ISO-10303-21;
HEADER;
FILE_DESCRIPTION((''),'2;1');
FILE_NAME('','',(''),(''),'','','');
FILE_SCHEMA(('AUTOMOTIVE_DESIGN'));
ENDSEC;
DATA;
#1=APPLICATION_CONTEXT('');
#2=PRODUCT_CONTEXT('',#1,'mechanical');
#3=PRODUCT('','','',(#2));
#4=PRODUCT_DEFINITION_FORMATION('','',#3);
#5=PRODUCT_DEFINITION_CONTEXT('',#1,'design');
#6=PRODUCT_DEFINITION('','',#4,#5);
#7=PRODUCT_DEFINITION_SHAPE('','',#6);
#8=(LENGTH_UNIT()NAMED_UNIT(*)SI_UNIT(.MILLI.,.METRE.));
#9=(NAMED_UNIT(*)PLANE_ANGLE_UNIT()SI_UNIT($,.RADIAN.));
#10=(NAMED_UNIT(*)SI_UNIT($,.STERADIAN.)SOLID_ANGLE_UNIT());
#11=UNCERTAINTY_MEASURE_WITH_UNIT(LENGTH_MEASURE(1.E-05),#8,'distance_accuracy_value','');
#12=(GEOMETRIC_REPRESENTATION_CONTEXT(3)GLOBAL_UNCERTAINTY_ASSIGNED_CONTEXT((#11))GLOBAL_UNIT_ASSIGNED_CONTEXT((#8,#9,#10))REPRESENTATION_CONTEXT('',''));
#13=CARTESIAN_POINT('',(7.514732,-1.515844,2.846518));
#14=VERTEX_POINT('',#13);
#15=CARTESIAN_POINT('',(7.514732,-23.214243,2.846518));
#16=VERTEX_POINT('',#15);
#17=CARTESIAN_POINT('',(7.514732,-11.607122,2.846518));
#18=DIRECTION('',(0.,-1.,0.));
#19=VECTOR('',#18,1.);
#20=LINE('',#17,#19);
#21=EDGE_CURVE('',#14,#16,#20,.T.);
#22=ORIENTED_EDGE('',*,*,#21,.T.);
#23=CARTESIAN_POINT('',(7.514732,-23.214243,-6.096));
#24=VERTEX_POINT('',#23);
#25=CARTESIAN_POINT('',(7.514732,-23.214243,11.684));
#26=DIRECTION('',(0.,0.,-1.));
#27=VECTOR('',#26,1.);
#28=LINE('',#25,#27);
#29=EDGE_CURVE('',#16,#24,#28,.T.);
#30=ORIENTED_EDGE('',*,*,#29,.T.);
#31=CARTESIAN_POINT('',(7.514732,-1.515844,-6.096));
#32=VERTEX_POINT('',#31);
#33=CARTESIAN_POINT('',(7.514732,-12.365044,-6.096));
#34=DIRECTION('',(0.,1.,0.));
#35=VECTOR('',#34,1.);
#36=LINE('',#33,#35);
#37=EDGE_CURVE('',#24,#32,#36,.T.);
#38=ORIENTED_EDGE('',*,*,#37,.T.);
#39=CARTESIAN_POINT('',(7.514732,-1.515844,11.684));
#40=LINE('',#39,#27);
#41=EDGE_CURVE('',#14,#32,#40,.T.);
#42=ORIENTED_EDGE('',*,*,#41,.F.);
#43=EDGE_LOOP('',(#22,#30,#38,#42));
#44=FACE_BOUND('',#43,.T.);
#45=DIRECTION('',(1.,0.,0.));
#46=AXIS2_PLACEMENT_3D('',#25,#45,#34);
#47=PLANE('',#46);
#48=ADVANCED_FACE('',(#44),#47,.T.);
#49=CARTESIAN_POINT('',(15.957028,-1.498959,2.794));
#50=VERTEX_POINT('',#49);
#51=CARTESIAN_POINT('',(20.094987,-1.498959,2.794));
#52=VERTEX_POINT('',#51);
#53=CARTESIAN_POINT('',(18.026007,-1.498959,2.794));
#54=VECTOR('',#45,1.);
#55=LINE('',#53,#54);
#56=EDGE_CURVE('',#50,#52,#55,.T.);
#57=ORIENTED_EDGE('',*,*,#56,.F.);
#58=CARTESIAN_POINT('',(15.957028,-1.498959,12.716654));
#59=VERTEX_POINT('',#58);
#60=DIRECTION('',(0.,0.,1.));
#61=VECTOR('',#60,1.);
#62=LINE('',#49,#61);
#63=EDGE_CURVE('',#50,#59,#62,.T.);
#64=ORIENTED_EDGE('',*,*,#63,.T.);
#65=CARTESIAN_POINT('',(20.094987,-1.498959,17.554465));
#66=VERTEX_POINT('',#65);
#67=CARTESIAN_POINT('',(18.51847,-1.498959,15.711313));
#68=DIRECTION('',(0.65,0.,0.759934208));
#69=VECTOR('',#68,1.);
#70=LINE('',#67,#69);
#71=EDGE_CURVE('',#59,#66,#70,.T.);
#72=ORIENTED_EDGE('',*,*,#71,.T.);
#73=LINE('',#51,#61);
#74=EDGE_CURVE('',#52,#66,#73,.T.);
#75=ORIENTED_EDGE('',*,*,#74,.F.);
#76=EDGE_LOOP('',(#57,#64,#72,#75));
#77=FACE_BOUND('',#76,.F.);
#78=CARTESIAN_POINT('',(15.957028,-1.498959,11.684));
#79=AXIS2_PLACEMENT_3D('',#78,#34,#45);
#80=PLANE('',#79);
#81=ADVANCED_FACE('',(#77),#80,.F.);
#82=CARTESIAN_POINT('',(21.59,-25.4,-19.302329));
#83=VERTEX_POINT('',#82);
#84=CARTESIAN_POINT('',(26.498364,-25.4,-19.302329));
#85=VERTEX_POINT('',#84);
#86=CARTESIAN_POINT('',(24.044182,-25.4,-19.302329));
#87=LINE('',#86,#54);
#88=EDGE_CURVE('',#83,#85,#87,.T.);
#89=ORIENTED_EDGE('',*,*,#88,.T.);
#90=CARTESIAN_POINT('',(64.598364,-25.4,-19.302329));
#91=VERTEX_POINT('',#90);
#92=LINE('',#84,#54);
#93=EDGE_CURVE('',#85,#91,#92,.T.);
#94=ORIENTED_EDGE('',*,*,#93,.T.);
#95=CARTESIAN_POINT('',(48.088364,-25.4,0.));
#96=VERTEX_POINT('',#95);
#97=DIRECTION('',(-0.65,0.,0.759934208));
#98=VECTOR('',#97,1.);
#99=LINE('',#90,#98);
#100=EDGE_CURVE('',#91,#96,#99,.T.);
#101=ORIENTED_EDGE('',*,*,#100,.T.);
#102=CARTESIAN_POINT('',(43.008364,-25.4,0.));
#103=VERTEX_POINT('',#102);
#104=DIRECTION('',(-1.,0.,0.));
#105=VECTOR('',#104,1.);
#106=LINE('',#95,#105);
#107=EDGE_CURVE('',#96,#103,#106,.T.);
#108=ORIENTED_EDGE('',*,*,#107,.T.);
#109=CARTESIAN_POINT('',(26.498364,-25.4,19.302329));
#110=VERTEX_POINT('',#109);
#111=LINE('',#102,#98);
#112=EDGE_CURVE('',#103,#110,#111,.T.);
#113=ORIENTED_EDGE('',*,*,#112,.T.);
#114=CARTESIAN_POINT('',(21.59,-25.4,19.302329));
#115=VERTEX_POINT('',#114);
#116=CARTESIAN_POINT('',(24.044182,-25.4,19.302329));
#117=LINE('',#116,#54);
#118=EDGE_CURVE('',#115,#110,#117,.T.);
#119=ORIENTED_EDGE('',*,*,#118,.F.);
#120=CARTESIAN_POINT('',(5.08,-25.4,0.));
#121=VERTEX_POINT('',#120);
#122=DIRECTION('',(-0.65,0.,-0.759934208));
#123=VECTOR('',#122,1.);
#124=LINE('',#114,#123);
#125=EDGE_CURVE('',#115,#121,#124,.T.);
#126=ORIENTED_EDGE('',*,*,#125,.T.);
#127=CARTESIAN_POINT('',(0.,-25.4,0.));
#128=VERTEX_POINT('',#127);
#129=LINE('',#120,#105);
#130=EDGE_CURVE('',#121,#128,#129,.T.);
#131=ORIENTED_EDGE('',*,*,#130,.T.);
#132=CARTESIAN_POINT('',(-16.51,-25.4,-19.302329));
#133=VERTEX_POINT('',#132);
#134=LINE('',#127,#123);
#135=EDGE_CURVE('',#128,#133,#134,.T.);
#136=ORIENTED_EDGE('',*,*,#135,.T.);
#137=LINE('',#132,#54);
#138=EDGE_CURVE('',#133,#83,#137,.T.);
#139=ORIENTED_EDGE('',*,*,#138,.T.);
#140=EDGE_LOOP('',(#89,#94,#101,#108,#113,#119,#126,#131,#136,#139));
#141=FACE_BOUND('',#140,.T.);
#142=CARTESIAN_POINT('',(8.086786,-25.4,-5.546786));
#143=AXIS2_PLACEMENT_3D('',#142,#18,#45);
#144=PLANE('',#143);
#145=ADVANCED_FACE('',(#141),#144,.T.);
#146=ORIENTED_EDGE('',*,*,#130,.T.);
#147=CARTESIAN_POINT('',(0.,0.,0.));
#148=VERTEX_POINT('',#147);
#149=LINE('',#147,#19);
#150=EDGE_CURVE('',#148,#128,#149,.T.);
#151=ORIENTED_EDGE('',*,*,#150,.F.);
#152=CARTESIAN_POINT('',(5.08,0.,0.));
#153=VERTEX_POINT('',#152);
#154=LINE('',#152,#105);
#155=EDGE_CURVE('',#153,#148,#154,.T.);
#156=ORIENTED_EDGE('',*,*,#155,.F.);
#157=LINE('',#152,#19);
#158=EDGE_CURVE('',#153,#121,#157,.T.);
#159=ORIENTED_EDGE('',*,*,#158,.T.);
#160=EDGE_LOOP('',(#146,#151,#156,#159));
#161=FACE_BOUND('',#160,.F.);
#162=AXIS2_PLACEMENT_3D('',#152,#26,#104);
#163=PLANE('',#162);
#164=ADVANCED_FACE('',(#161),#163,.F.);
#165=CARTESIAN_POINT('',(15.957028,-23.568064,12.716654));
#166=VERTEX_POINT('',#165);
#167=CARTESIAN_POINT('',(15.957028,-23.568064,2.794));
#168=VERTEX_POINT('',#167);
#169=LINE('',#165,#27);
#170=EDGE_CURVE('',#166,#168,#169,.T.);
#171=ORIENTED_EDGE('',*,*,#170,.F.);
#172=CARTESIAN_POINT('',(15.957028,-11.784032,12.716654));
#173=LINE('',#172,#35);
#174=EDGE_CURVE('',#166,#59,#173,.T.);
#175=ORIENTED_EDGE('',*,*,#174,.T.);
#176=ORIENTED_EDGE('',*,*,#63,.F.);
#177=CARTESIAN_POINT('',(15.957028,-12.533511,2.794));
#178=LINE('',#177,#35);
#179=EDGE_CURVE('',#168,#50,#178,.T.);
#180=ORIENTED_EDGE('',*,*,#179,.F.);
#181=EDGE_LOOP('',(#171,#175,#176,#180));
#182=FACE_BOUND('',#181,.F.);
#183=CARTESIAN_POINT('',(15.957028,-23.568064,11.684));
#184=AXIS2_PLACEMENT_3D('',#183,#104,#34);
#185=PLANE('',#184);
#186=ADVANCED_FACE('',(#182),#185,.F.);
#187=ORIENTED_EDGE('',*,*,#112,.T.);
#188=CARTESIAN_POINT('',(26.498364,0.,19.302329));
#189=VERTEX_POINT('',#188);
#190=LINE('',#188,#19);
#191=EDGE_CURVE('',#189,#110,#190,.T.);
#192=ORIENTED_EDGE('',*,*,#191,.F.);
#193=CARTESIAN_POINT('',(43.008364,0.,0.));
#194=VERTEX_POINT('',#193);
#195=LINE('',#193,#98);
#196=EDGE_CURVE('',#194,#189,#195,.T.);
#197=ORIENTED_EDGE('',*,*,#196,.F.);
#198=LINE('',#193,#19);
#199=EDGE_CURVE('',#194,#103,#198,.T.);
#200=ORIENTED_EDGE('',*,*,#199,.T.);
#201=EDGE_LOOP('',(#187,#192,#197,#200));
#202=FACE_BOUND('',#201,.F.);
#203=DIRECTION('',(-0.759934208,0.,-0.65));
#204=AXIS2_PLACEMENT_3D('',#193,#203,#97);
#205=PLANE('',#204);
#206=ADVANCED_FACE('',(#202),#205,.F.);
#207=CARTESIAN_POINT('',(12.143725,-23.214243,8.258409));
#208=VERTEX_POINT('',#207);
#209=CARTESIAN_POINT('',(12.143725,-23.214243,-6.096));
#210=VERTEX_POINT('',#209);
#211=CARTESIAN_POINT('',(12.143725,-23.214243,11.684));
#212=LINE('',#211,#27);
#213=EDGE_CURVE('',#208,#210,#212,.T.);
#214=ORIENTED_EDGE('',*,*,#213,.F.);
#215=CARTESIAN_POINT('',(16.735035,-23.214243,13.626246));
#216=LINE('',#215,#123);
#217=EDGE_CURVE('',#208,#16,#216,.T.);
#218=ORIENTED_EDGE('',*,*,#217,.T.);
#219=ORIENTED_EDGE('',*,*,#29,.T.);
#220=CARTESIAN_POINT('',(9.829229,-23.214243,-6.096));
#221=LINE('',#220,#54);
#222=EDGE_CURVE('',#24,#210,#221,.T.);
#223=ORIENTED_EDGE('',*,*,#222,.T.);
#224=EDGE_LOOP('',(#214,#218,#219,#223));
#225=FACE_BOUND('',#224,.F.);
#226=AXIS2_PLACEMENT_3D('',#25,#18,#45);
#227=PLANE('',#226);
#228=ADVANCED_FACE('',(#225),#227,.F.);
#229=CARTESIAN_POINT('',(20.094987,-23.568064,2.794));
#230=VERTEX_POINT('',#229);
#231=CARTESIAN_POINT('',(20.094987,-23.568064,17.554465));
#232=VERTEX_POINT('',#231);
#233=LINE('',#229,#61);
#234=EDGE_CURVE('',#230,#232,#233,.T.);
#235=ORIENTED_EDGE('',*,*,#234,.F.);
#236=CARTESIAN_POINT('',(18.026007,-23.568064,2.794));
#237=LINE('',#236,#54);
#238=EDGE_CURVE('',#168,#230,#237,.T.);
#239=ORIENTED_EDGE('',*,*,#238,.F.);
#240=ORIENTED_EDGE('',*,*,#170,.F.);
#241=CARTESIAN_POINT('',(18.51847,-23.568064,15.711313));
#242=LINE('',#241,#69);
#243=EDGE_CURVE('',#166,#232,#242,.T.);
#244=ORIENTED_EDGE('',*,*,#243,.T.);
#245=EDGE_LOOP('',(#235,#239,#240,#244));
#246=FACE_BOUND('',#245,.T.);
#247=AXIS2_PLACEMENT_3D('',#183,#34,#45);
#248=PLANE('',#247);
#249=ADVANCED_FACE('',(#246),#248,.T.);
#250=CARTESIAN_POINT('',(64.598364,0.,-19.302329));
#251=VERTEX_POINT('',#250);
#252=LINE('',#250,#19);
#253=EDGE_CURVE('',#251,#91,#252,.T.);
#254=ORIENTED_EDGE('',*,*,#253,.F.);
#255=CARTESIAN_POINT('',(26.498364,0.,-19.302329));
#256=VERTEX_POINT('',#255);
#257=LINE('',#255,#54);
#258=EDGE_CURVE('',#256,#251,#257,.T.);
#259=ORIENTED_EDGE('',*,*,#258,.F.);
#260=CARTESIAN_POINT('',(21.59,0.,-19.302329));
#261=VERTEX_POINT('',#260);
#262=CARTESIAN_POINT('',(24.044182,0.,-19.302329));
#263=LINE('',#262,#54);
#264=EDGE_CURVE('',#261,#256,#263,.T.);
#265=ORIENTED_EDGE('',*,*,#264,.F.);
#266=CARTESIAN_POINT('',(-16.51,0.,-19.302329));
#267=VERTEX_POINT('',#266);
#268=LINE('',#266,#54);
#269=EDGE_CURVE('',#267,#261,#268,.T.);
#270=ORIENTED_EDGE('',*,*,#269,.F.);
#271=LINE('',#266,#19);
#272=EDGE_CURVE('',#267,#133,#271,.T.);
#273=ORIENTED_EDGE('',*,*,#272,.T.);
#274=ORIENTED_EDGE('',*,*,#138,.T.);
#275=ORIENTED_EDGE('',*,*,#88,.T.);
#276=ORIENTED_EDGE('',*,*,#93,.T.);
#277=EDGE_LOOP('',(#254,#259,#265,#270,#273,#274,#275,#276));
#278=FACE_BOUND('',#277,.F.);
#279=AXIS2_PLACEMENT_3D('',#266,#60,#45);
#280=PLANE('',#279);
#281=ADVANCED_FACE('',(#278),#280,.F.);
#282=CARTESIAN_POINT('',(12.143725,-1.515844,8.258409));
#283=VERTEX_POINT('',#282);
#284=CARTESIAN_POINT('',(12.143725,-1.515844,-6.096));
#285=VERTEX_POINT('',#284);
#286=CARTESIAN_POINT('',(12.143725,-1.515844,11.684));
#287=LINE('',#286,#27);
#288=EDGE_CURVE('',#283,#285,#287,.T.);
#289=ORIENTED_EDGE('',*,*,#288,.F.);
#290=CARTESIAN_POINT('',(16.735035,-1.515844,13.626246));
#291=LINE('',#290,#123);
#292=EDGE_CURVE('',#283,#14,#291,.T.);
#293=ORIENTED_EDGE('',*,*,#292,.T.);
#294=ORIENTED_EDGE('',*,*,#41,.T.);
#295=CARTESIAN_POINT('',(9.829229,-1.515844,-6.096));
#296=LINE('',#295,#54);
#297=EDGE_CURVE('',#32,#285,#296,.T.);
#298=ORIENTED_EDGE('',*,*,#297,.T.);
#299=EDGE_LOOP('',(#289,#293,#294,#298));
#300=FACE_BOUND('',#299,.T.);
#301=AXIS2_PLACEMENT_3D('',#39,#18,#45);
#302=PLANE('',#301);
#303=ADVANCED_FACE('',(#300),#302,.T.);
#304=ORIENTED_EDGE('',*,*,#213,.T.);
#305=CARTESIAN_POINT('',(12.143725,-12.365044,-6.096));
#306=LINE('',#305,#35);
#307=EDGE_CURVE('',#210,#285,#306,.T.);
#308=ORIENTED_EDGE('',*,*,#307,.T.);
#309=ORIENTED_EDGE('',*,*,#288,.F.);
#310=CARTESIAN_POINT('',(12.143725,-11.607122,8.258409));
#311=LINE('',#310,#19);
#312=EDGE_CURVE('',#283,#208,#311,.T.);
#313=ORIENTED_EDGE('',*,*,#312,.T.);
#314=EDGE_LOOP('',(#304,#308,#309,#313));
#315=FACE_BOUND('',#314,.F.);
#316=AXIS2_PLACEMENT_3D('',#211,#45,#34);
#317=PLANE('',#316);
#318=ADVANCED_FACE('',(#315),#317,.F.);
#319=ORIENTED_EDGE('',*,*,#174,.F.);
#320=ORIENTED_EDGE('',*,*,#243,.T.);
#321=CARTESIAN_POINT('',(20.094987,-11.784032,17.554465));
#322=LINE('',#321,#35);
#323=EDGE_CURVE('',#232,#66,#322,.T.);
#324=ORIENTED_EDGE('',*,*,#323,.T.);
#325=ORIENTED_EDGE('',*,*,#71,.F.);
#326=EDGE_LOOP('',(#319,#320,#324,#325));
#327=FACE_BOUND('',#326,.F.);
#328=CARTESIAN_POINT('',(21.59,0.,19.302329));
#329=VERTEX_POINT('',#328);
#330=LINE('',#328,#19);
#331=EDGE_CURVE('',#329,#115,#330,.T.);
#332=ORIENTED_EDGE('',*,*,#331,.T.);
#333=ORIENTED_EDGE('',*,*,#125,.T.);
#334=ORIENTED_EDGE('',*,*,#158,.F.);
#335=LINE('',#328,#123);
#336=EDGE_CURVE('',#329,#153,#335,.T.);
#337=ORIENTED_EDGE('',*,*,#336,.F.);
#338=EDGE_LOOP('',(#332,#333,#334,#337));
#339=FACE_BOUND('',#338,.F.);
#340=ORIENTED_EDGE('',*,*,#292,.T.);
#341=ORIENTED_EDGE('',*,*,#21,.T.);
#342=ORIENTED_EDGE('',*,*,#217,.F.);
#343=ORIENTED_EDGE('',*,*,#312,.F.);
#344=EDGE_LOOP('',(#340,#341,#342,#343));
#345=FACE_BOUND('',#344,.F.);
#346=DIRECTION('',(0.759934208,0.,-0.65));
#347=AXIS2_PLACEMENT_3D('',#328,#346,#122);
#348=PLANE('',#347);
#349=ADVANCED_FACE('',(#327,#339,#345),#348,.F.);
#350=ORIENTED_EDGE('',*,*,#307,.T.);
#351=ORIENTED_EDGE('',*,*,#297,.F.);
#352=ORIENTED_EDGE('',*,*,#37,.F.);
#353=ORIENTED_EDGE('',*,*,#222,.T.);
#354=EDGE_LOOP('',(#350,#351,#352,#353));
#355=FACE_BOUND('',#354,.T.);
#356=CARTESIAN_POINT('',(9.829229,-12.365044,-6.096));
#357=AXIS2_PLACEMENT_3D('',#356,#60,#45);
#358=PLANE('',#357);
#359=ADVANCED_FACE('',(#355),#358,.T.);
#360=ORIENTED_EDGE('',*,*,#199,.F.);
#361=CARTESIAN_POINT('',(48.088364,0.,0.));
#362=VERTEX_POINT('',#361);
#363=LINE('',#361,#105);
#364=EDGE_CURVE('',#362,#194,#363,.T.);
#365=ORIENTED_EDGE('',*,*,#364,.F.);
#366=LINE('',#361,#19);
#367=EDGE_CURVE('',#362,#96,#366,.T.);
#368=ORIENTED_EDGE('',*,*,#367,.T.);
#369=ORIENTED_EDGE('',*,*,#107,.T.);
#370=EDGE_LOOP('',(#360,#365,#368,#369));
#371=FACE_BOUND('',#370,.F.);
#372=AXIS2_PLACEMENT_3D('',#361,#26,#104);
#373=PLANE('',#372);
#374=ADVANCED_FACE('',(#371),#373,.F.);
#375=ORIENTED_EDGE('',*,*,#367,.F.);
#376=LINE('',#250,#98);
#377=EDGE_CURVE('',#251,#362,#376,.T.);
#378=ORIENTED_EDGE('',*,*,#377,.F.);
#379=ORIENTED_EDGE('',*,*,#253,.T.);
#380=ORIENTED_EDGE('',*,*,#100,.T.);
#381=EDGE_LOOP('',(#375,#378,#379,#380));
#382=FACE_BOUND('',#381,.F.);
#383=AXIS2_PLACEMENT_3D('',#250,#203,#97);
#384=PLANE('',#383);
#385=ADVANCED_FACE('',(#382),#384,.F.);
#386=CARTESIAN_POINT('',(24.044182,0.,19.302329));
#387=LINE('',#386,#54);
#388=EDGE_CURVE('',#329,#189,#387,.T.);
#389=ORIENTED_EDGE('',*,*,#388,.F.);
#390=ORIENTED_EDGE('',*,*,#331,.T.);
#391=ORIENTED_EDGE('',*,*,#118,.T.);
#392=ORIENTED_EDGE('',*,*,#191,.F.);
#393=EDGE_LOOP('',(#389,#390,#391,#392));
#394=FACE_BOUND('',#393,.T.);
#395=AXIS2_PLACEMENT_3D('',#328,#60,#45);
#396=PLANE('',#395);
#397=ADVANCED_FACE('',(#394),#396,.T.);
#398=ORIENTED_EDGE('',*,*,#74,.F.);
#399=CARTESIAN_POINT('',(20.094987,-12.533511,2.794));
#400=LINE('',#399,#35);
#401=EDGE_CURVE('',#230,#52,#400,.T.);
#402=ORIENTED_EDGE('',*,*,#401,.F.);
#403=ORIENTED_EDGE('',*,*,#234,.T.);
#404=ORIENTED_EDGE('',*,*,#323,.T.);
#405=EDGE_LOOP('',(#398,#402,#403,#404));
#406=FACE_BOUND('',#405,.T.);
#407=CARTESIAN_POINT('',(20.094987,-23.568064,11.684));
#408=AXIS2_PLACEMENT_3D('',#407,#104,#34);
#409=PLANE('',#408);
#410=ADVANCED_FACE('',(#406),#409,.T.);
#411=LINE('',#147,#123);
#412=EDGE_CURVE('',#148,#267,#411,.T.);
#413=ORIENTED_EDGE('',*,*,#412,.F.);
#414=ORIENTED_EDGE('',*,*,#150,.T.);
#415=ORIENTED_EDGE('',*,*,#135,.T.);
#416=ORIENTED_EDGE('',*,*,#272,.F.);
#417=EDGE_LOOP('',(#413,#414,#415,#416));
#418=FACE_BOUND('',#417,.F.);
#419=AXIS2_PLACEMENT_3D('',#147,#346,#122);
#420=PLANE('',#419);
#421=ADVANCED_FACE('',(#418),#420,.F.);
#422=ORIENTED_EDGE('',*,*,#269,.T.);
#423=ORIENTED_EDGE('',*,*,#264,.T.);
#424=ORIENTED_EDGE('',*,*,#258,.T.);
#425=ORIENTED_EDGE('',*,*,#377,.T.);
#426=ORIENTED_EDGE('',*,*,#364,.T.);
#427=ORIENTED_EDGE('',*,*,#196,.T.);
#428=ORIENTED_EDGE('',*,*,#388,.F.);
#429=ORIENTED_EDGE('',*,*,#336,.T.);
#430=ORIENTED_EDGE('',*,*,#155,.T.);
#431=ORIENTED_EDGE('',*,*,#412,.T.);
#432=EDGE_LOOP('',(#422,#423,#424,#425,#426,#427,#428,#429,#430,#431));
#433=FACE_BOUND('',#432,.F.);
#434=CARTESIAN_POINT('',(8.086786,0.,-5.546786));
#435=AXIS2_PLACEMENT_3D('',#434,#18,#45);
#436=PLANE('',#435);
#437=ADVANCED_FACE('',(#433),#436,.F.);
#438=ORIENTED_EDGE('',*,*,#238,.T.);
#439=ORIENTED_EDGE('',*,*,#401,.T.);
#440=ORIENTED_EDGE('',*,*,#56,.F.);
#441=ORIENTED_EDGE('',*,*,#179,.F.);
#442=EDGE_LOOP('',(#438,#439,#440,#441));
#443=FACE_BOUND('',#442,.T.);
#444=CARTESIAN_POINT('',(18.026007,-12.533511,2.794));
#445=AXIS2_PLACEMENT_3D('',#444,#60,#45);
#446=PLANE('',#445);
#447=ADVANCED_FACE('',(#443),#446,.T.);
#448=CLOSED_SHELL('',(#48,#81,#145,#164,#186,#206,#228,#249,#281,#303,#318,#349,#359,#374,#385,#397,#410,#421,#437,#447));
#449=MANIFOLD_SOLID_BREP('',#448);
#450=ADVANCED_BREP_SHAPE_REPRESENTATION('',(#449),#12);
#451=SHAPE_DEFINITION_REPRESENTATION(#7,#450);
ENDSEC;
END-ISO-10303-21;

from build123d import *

# Parameters (mm, degrees)
F0_W          = 4.9083643031
F0_H          = 38.6046577501
F1_DEPTH      = 25.4
F3_W          = 4.1379593313
F3_H          = 22.0691054128
F4_DEPTH      = 8.89
F4_DEPTH_BACK = 25.4
F5_W          = 4.6289921738
F5_H          = 21.6983995633
F6_DEPTH      = 17.78


with BuildPart() as f1:
    # F0 (on Front) → F1 (new body)
    with BuildSketch(Plane.XZ):
        Polygon((5.08, 0), (0, 0), (-16.51, -19.302328875), (21.59, -19.302328875), (21.59, 19.302328875), align=None)
        with Locations((24.0441821516, 0)):
            Rectangle(F0_W, F0_H)
        Polygon((26.4983643031, 19.302328875), (26.4983643031, -19.302328875), (64.5983643031, -19.302328875), (48.0883643031, 0), (43.0083643031, 0), align=None)
    extrude(amount=F1_DEPTH)

    # F3 (on offset) → F4 (cut, two sides)
    with BuildSketch(Plane.XY.offset(11.684)) as f4_sk:
        with Locations((18.0260073394, -12.533511268)):
            Rectangle(F3_W, F3_H)
    extrude(amount=-F4_DEPTH, mode=Mode.SUBTRACT)
    extrude(f4_sk.sketch, amount=F4_DEPTH_BACK, mode=Mode.SUBTRACT)

    # F5 (on offset) → F6 (cut)
    with BuildSketch(Plane.XY.offset(11.684)):
        with Locations((9.8292285111, -12.3650435708)):
            Rectangle(F5_W, F5_H)
    extrude(amount=-F6_DEPTH, mode=Mode.SUBTRACT)


solid = f1.part
